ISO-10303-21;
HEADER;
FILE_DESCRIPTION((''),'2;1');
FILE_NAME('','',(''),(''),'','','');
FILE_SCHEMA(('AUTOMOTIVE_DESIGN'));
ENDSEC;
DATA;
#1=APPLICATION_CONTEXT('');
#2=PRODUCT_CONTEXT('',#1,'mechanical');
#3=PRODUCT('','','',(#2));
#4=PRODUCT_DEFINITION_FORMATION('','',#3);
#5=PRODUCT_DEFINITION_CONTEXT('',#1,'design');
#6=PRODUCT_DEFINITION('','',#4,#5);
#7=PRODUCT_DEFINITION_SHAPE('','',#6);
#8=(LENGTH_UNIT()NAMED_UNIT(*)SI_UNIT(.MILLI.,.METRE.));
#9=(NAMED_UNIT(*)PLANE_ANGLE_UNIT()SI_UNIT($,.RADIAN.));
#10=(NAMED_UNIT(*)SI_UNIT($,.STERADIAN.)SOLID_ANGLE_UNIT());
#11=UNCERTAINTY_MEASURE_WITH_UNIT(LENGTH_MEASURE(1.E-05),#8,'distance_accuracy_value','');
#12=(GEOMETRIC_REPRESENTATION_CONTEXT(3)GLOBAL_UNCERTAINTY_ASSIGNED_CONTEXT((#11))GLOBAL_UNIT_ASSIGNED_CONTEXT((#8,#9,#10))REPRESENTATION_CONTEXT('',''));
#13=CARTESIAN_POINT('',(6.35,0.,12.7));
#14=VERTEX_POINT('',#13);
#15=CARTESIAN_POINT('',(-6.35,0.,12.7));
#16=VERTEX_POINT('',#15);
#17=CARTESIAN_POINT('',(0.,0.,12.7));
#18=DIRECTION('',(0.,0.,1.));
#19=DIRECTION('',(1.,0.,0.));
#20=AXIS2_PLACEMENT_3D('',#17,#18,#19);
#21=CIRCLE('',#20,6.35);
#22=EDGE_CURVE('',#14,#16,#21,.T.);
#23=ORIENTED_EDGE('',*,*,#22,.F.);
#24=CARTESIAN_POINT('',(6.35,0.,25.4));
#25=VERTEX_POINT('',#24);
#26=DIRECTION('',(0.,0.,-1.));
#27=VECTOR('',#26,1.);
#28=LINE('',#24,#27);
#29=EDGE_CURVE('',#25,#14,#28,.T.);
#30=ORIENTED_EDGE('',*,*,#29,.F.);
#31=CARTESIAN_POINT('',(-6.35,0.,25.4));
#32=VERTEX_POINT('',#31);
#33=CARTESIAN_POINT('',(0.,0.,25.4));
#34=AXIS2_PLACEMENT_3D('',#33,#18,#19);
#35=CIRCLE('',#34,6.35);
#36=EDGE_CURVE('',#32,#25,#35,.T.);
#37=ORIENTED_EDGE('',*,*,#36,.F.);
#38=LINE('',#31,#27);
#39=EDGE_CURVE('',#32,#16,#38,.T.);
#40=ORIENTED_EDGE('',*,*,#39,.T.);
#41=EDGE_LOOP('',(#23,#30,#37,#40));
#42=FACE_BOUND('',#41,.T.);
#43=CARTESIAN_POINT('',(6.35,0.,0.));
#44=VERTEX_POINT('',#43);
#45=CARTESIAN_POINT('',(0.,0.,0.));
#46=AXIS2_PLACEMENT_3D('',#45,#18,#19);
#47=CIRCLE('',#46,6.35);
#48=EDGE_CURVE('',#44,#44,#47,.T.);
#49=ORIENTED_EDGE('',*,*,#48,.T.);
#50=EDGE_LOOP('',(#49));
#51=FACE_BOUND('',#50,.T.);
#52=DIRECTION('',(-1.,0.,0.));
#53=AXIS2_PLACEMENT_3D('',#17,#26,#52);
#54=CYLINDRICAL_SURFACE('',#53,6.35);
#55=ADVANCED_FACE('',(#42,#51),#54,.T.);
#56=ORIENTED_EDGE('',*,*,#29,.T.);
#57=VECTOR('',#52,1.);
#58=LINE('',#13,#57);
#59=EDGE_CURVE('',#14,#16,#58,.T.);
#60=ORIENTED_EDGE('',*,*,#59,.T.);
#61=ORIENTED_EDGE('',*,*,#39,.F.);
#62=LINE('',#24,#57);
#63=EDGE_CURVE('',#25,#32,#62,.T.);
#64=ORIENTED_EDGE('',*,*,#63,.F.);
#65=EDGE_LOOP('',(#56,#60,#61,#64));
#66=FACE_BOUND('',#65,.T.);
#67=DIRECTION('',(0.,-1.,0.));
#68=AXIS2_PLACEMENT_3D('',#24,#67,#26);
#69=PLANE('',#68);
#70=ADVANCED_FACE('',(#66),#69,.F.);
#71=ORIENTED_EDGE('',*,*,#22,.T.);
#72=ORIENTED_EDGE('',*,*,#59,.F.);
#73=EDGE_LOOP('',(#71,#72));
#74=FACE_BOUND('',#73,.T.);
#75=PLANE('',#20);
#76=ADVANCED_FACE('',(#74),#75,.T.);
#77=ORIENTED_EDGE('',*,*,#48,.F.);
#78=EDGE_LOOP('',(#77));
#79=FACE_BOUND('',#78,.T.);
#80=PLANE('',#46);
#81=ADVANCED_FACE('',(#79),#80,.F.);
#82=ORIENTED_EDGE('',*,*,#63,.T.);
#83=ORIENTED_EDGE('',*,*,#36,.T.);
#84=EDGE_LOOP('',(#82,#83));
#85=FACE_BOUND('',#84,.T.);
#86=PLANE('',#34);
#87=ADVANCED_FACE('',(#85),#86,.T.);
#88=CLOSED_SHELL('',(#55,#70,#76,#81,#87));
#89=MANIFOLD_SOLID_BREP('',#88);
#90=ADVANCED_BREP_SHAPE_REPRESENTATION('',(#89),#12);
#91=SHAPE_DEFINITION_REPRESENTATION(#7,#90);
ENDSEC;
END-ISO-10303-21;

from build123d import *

# Parameters (mm, degrees)
SKETCH1_R           = 6.35
BOSS_EXTRUDE1_DEPTH = 12.7
BOSS_EXTRUDE2_DEPTH = 12.7


with BuildPart() as part:
    # Sketch1 → Boss-Extrude1 (new body)
    with BuildSketch(Plane.XY):
        Circle(SKETCH1_R)
    extrude(amount=BOSS_EXTRUDE1_DEPTH)

    # Sketch2 → Boss-Extrude2 (add)
    with BuildSketch(Plane.XY.offset(12.7)):
        with BuildLine():
            Line((6.35, 0), (-6.35, 0))
            ThreePointArc((-6.35, 0), (0, -6.35), (6.35, 0))
        make_face()
    extrude(amount=BOSS_EXTRUDE2_DEPTH)


solid = part.part
